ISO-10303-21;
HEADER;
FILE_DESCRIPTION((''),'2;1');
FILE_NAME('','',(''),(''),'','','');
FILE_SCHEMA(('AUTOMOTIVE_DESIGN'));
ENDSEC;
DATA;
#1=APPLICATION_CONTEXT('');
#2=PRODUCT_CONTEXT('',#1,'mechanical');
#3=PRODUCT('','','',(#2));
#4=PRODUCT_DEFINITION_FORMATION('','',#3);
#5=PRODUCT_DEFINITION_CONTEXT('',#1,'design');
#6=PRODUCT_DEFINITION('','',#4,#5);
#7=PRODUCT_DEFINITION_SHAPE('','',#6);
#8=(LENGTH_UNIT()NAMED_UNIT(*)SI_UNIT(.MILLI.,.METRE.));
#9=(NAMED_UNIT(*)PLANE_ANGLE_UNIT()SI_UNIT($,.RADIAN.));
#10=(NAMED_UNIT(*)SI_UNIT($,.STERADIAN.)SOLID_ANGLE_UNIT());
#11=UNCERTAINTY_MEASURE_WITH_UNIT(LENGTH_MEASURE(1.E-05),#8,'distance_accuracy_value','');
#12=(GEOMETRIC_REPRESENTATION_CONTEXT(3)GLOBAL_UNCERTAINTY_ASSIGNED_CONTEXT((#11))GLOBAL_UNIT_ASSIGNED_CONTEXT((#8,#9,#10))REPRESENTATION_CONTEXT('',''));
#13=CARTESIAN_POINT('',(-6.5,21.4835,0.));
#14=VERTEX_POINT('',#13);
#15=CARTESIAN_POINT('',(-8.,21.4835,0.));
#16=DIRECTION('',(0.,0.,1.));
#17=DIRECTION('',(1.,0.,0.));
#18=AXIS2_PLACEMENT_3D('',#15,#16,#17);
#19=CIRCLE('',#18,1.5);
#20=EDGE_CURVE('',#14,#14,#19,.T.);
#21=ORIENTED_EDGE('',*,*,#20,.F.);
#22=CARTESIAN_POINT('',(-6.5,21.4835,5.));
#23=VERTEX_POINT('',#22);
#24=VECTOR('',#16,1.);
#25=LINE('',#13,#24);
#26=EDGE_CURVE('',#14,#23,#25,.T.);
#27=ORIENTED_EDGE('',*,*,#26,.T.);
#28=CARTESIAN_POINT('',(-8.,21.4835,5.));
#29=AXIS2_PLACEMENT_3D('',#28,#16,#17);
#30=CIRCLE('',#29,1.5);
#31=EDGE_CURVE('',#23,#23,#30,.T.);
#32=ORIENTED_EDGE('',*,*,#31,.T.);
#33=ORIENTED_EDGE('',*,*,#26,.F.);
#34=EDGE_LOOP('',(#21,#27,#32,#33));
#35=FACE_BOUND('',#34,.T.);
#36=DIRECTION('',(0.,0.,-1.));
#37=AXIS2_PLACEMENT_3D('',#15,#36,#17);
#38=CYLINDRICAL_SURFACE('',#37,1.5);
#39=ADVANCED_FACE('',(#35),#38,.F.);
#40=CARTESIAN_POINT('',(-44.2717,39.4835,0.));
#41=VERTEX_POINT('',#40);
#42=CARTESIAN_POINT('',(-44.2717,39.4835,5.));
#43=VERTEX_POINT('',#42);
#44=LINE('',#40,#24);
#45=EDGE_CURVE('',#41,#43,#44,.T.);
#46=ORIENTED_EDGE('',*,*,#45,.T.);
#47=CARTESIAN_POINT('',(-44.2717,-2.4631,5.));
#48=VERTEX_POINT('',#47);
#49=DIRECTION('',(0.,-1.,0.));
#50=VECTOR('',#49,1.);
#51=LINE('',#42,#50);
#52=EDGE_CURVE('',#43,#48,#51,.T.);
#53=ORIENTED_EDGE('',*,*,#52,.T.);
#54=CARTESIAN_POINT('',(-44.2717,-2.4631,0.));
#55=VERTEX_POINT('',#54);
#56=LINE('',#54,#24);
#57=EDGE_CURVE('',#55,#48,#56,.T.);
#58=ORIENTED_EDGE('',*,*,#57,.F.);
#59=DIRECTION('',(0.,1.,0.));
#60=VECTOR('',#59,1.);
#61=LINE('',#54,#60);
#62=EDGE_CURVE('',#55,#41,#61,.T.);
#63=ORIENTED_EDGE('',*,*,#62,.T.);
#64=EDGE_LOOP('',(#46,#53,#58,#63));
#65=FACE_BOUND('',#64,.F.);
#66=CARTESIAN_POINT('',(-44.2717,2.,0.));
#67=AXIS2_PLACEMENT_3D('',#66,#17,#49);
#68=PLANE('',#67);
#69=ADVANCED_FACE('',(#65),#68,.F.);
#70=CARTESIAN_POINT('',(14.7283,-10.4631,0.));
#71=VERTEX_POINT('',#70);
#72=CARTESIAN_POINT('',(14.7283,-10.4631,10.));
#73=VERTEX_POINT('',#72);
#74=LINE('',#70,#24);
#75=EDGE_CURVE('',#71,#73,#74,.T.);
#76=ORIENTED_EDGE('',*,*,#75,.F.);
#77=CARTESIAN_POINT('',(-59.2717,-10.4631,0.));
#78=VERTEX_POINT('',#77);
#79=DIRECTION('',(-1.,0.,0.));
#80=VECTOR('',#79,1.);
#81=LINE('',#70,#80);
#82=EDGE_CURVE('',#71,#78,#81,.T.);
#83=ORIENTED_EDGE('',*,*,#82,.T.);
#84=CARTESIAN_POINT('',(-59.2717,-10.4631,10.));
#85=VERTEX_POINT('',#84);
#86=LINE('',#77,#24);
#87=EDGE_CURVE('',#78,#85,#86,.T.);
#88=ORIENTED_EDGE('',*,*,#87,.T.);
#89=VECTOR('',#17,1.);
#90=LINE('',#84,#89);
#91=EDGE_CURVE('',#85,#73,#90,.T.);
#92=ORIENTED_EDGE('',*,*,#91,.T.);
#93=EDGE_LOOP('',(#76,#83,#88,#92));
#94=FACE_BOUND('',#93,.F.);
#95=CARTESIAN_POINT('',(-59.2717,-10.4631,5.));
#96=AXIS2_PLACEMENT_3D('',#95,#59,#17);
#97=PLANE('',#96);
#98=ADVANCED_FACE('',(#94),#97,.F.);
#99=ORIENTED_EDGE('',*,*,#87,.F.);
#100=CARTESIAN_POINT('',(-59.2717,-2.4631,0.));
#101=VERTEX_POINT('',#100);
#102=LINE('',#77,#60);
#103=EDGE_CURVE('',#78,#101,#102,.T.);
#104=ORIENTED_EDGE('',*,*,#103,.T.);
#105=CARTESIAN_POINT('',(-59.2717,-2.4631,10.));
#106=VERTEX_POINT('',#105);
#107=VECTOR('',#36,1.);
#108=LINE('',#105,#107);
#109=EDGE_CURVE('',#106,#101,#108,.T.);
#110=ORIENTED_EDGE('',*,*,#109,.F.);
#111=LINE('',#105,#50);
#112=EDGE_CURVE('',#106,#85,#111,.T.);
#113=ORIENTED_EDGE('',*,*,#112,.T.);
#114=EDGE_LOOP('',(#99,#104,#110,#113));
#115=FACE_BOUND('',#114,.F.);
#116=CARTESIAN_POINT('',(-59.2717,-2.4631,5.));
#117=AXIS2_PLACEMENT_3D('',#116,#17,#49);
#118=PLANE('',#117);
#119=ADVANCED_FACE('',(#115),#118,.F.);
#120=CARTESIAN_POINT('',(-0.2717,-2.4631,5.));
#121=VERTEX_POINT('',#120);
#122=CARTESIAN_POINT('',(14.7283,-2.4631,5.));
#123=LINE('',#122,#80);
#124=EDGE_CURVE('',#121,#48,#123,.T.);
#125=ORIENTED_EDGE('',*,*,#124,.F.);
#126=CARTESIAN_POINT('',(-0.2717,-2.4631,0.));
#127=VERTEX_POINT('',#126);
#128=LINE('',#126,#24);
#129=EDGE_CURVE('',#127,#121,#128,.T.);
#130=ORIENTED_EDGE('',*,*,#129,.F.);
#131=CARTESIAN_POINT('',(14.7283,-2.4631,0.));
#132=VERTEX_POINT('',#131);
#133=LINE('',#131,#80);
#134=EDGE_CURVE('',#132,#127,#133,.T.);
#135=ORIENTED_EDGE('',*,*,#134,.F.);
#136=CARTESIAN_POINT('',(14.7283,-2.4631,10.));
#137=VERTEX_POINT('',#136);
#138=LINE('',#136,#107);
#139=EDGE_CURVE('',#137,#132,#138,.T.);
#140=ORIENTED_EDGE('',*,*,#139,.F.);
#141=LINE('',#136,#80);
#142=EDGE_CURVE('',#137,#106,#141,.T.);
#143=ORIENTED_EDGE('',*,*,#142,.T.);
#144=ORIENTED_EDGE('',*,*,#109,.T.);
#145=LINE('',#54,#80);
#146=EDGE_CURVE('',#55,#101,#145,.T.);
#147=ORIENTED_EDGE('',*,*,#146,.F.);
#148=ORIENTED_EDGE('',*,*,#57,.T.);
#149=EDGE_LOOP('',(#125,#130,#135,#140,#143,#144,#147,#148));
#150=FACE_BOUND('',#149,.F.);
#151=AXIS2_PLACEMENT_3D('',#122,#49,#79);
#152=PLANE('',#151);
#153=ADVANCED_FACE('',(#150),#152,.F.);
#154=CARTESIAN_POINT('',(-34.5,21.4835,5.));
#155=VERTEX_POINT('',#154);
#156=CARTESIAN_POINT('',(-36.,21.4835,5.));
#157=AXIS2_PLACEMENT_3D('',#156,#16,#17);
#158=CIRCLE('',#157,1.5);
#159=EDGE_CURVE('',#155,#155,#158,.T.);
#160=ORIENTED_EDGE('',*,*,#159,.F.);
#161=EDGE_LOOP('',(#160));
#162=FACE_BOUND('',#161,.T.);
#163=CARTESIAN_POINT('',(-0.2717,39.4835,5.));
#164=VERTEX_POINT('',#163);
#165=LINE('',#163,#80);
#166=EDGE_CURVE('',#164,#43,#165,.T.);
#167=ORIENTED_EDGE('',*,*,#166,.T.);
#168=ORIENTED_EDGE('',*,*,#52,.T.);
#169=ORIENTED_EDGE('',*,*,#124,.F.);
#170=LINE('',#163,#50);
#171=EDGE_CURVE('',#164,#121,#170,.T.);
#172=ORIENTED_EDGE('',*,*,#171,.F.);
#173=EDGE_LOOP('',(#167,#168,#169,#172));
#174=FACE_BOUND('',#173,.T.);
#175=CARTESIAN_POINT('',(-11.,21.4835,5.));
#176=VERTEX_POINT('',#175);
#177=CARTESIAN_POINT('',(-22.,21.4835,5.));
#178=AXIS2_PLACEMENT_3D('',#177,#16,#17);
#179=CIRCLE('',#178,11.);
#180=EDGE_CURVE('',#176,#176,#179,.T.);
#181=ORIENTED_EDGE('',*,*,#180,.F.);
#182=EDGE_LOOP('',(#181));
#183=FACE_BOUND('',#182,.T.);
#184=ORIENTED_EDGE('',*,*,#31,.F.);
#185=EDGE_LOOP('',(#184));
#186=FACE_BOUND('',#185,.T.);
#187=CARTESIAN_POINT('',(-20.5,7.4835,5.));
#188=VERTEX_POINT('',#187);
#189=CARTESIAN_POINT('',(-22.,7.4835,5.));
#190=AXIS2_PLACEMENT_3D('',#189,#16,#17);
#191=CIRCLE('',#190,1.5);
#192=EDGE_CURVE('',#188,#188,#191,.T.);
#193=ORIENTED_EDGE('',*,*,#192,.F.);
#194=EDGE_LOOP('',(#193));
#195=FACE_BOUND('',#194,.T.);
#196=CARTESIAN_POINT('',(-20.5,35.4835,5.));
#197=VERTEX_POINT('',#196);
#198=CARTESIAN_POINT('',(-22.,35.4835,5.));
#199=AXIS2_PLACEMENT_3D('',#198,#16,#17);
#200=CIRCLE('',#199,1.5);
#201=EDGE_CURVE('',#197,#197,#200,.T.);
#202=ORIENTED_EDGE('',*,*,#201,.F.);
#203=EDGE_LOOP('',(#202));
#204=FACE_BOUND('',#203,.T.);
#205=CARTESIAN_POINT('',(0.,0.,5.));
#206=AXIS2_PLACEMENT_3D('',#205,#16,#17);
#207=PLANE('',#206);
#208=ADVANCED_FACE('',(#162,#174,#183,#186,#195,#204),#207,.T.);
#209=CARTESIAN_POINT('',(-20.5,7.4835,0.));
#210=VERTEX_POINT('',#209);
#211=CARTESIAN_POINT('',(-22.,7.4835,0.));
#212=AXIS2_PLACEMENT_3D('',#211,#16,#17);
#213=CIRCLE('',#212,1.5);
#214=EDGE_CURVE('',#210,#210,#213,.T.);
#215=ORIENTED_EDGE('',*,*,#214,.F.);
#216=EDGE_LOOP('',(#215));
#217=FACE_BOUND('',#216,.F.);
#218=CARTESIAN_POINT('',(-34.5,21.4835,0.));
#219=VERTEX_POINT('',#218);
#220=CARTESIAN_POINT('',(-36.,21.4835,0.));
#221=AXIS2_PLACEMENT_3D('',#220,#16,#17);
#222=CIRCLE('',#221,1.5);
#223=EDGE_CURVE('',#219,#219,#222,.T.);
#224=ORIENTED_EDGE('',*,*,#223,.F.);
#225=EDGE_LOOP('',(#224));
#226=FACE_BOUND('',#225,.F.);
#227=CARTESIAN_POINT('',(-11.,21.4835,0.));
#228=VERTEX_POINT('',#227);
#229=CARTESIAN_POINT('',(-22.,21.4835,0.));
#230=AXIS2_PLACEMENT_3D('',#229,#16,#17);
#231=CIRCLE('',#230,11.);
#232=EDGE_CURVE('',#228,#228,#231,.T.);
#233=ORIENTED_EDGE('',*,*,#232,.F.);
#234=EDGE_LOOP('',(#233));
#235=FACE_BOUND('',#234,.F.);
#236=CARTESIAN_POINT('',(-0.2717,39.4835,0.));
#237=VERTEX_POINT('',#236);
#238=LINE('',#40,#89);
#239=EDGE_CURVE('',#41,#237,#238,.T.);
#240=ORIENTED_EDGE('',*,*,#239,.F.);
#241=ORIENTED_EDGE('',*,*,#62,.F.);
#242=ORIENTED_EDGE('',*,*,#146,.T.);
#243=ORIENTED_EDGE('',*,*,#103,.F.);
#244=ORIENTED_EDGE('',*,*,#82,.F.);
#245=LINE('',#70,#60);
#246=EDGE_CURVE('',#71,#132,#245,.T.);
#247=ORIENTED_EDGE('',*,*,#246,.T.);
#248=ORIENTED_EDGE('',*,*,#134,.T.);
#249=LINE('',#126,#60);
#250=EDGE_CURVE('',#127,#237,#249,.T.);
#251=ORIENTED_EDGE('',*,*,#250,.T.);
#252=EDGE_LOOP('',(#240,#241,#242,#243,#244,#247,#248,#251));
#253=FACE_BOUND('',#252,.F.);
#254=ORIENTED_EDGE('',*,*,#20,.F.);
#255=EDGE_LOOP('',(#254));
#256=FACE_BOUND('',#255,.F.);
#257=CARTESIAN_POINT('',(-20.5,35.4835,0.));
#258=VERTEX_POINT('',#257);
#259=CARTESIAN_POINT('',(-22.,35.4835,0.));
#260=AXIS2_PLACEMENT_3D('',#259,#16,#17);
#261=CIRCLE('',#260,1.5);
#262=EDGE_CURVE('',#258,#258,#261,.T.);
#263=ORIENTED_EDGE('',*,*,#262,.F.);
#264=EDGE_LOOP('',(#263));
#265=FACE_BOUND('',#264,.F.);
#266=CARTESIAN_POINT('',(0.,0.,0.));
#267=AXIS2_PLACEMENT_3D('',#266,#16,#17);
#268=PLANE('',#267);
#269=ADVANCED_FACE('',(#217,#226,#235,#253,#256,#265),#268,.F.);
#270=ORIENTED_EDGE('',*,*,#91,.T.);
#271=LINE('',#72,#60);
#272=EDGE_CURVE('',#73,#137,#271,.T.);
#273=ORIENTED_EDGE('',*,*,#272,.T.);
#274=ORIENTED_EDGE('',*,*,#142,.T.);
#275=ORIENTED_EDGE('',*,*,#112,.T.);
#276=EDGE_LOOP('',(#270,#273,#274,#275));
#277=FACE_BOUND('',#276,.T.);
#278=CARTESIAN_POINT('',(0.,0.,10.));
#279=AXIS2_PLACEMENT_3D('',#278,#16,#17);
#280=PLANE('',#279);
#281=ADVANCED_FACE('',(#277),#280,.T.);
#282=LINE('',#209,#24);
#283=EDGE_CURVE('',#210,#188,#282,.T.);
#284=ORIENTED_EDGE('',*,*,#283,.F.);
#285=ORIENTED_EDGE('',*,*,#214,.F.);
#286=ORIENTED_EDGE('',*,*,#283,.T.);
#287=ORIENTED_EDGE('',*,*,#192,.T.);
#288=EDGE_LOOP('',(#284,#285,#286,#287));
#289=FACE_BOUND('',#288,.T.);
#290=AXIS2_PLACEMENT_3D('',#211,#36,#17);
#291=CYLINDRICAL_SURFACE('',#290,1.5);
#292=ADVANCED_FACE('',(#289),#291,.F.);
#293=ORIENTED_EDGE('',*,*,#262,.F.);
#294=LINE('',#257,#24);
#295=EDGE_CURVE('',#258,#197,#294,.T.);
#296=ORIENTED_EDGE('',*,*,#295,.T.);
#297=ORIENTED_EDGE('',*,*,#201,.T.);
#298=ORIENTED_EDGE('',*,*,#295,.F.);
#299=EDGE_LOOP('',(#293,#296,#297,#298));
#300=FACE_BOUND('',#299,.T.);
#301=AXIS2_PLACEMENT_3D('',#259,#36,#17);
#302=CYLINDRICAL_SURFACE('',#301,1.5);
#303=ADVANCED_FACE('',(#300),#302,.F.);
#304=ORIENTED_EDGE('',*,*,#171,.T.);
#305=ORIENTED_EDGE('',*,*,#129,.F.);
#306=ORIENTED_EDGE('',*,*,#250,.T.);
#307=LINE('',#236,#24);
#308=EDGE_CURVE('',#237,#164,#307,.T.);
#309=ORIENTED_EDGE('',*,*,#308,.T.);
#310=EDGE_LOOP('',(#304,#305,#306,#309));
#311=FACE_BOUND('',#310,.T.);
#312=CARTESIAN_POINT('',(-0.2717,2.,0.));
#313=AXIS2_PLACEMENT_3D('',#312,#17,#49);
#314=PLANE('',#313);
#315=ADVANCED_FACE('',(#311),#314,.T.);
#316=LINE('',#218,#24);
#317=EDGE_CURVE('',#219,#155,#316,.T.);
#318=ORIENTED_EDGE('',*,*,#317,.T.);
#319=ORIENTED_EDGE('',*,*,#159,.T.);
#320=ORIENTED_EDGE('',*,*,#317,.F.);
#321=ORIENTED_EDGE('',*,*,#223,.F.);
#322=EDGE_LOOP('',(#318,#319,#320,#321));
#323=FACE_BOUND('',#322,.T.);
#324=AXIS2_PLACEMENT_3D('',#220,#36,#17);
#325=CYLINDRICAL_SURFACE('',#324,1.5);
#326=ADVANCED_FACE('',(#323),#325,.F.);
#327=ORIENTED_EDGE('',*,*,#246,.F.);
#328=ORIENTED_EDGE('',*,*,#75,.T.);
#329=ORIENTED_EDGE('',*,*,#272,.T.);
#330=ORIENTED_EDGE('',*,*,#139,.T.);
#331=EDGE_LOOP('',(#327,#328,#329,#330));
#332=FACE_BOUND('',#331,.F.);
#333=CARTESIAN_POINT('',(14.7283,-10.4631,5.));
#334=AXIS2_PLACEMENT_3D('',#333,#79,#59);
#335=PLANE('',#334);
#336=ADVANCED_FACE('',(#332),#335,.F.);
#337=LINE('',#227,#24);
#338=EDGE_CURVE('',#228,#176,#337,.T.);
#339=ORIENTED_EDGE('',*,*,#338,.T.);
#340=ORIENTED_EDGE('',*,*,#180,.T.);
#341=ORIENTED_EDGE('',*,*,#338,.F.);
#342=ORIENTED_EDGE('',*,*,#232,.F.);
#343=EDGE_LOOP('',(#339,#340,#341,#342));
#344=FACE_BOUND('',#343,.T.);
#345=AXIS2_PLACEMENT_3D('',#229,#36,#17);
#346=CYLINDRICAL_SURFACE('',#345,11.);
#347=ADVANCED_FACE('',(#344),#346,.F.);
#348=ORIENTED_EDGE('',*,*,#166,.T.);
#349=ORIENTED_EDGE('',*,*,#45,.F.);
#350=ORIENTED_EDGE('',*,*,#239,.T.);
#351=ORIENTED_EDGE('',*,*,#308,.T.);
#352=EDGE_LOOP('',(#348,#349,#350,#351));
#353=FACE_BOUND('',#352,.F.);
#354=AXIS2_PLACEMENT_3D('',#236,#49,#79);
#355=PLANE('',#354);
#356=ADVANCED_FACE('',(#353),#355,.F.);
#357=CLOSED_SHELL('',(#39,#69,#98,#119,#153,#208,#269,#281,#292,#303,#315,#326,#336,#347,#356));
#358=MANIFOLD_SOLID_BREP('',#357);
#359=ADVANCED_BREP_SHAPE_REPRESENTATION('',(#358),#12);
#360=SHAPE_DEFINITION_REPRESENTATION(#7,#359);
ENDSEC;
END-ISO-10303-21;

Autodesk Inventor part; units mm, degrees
ref_plane "YZ Plane" through (0, 0, 0) normal (1, 0, 0) x (0, 1, 0)
ref_plane "XZ Plane" through (0, 0, 0) normal (0, 1, 0) x (-1, 0, 0)
ref_plane "XY Plane" through (0, 0, 0) normal (0, 0, 1) x (1, 0, 0)
sketch "Skizze1" plane through (0, 0, 0) normal (0, 0, 1) x (1, 0, 0)
  line L0 (-0.2717, 2) -> (-0.2717, -2.4631) projected
  arc A0 (-2.2717, 0) -> (-0.2717, 2) centre (-2.2717, 2) ccw projected
  line L1 (-42.2717, 0) -> (-2.2717, 0) projected
  arc A1 (-44.2717, 2) -> (-42.2717, 0) centre (-42.2717, 2) ccw projected
  line L2 (-44.2717, 2) -> (-44.2717, -2.4631) projected
  line L3 (-44.2717, -2.4631) -> (-59.2717, -2.4631) projected
  line L4 (-59.2717, -10.4631) -> (-59.2717, -2.4631) projected
  line L5 (-37.1489, -10.4631) -> (-59.2717, -10.4631) projected
  line L6 (-37.1489, -7.4631) -> (-37.1489, -10.4631) projected
  line L7 (-26.4444, -7.4631) -> (-37.1489, -7.4631) projected
  line L8 (-26.4444, -10.4631) -> (-26.4444, -7.4631) projected
  line L9 (-18.0989, -10.4631) -> (-26.4444, -10.4631) projected
  line L10 (-18.0989, -7.4631) -> (-18.0989, -10.4631) projected
  line L11 (-7.3944, -7.4631) -> (-18.0989, -7.4631) projected
  line L12 (-7.3944, -10.4631) -> (-7.3944, -7.4631) projected
  line L13 (14.7283, -10.4631) -> (-7.3944, -10.4631) projected
  line L14 (14.7283, -10.4631) -> (14.7283, -2.4631) projected
  line L15 (14.7283, -2.4631) -> (-0.2717, -2.4631) projected
  circle A2 centre (-22, 7.4835) radius 1.5 projected
  circle A3 centre (-36, 21.4835) radius 1.5 projected
  circle A4 centre (-22, 35.4835) radius 1.5 projected
  circle A5 centre (-8, 21.4835) radius 1.5 projected
  circle A6 centre (-22, 21.4835) radius 18 projected
  circle A7 centre (-22, 21.4835) radius 11 projected
  line L16 (-44.2717, -10.4631) -> (-0.2717, -10.4631)
  line L17 (-0.2717, -10.4631) -> (-0.2717, 39.4835)
  line L18 (-0.2717, 39.4835) -> (-44.2717, 39.4835)
  line L19 (-44.2717, 39.4835) -> (-44.2717, -10.4631)
  point P0 (0, 0)
extrude "Extrusion1" add sketch "Skizze1" along normal blind 5 contours L0 L17 L13 L12 L11 L10 L9 L8 L7 L6 L5 L19 L2 A1 L1 A0 | A6 | A0 L1 A1 L19 L18 L17 | L15 L14 L13 L17 | L16 L10 L11 L12 | L19 L5 L4 L3 | L16 L6 L7 L8
sketch "Skizze2" plane through (0, 0, 5) normal (0, 0, 1) x (1, 0, 0)
  line L0 (-59.2717, -10.4631) -> (14.7283, -10.4631) projected
  line L1 (14.7283, -10.4631) -> (14.7283, -2.4631) projected
  line L2 (-59.2717, -10.4631) -> (14.7283, -10.4631)
  line L3 (14.7283, -10.4631) -> (14.7283, -2.4631)
  line L4 (14.7283, -2.4631) -> (-59.2717, -2.4631)
  line L5 (-59.2717, -2.4631) -> (-59.2717, -10.4631)
  point P0 (0, 0)
extrude "Extrusion2" add sketch "Skizze2" along normal blind 5
properties part number "Shoulder_stepper_holder" material "ABS-Kunststoff - Schwarz"
